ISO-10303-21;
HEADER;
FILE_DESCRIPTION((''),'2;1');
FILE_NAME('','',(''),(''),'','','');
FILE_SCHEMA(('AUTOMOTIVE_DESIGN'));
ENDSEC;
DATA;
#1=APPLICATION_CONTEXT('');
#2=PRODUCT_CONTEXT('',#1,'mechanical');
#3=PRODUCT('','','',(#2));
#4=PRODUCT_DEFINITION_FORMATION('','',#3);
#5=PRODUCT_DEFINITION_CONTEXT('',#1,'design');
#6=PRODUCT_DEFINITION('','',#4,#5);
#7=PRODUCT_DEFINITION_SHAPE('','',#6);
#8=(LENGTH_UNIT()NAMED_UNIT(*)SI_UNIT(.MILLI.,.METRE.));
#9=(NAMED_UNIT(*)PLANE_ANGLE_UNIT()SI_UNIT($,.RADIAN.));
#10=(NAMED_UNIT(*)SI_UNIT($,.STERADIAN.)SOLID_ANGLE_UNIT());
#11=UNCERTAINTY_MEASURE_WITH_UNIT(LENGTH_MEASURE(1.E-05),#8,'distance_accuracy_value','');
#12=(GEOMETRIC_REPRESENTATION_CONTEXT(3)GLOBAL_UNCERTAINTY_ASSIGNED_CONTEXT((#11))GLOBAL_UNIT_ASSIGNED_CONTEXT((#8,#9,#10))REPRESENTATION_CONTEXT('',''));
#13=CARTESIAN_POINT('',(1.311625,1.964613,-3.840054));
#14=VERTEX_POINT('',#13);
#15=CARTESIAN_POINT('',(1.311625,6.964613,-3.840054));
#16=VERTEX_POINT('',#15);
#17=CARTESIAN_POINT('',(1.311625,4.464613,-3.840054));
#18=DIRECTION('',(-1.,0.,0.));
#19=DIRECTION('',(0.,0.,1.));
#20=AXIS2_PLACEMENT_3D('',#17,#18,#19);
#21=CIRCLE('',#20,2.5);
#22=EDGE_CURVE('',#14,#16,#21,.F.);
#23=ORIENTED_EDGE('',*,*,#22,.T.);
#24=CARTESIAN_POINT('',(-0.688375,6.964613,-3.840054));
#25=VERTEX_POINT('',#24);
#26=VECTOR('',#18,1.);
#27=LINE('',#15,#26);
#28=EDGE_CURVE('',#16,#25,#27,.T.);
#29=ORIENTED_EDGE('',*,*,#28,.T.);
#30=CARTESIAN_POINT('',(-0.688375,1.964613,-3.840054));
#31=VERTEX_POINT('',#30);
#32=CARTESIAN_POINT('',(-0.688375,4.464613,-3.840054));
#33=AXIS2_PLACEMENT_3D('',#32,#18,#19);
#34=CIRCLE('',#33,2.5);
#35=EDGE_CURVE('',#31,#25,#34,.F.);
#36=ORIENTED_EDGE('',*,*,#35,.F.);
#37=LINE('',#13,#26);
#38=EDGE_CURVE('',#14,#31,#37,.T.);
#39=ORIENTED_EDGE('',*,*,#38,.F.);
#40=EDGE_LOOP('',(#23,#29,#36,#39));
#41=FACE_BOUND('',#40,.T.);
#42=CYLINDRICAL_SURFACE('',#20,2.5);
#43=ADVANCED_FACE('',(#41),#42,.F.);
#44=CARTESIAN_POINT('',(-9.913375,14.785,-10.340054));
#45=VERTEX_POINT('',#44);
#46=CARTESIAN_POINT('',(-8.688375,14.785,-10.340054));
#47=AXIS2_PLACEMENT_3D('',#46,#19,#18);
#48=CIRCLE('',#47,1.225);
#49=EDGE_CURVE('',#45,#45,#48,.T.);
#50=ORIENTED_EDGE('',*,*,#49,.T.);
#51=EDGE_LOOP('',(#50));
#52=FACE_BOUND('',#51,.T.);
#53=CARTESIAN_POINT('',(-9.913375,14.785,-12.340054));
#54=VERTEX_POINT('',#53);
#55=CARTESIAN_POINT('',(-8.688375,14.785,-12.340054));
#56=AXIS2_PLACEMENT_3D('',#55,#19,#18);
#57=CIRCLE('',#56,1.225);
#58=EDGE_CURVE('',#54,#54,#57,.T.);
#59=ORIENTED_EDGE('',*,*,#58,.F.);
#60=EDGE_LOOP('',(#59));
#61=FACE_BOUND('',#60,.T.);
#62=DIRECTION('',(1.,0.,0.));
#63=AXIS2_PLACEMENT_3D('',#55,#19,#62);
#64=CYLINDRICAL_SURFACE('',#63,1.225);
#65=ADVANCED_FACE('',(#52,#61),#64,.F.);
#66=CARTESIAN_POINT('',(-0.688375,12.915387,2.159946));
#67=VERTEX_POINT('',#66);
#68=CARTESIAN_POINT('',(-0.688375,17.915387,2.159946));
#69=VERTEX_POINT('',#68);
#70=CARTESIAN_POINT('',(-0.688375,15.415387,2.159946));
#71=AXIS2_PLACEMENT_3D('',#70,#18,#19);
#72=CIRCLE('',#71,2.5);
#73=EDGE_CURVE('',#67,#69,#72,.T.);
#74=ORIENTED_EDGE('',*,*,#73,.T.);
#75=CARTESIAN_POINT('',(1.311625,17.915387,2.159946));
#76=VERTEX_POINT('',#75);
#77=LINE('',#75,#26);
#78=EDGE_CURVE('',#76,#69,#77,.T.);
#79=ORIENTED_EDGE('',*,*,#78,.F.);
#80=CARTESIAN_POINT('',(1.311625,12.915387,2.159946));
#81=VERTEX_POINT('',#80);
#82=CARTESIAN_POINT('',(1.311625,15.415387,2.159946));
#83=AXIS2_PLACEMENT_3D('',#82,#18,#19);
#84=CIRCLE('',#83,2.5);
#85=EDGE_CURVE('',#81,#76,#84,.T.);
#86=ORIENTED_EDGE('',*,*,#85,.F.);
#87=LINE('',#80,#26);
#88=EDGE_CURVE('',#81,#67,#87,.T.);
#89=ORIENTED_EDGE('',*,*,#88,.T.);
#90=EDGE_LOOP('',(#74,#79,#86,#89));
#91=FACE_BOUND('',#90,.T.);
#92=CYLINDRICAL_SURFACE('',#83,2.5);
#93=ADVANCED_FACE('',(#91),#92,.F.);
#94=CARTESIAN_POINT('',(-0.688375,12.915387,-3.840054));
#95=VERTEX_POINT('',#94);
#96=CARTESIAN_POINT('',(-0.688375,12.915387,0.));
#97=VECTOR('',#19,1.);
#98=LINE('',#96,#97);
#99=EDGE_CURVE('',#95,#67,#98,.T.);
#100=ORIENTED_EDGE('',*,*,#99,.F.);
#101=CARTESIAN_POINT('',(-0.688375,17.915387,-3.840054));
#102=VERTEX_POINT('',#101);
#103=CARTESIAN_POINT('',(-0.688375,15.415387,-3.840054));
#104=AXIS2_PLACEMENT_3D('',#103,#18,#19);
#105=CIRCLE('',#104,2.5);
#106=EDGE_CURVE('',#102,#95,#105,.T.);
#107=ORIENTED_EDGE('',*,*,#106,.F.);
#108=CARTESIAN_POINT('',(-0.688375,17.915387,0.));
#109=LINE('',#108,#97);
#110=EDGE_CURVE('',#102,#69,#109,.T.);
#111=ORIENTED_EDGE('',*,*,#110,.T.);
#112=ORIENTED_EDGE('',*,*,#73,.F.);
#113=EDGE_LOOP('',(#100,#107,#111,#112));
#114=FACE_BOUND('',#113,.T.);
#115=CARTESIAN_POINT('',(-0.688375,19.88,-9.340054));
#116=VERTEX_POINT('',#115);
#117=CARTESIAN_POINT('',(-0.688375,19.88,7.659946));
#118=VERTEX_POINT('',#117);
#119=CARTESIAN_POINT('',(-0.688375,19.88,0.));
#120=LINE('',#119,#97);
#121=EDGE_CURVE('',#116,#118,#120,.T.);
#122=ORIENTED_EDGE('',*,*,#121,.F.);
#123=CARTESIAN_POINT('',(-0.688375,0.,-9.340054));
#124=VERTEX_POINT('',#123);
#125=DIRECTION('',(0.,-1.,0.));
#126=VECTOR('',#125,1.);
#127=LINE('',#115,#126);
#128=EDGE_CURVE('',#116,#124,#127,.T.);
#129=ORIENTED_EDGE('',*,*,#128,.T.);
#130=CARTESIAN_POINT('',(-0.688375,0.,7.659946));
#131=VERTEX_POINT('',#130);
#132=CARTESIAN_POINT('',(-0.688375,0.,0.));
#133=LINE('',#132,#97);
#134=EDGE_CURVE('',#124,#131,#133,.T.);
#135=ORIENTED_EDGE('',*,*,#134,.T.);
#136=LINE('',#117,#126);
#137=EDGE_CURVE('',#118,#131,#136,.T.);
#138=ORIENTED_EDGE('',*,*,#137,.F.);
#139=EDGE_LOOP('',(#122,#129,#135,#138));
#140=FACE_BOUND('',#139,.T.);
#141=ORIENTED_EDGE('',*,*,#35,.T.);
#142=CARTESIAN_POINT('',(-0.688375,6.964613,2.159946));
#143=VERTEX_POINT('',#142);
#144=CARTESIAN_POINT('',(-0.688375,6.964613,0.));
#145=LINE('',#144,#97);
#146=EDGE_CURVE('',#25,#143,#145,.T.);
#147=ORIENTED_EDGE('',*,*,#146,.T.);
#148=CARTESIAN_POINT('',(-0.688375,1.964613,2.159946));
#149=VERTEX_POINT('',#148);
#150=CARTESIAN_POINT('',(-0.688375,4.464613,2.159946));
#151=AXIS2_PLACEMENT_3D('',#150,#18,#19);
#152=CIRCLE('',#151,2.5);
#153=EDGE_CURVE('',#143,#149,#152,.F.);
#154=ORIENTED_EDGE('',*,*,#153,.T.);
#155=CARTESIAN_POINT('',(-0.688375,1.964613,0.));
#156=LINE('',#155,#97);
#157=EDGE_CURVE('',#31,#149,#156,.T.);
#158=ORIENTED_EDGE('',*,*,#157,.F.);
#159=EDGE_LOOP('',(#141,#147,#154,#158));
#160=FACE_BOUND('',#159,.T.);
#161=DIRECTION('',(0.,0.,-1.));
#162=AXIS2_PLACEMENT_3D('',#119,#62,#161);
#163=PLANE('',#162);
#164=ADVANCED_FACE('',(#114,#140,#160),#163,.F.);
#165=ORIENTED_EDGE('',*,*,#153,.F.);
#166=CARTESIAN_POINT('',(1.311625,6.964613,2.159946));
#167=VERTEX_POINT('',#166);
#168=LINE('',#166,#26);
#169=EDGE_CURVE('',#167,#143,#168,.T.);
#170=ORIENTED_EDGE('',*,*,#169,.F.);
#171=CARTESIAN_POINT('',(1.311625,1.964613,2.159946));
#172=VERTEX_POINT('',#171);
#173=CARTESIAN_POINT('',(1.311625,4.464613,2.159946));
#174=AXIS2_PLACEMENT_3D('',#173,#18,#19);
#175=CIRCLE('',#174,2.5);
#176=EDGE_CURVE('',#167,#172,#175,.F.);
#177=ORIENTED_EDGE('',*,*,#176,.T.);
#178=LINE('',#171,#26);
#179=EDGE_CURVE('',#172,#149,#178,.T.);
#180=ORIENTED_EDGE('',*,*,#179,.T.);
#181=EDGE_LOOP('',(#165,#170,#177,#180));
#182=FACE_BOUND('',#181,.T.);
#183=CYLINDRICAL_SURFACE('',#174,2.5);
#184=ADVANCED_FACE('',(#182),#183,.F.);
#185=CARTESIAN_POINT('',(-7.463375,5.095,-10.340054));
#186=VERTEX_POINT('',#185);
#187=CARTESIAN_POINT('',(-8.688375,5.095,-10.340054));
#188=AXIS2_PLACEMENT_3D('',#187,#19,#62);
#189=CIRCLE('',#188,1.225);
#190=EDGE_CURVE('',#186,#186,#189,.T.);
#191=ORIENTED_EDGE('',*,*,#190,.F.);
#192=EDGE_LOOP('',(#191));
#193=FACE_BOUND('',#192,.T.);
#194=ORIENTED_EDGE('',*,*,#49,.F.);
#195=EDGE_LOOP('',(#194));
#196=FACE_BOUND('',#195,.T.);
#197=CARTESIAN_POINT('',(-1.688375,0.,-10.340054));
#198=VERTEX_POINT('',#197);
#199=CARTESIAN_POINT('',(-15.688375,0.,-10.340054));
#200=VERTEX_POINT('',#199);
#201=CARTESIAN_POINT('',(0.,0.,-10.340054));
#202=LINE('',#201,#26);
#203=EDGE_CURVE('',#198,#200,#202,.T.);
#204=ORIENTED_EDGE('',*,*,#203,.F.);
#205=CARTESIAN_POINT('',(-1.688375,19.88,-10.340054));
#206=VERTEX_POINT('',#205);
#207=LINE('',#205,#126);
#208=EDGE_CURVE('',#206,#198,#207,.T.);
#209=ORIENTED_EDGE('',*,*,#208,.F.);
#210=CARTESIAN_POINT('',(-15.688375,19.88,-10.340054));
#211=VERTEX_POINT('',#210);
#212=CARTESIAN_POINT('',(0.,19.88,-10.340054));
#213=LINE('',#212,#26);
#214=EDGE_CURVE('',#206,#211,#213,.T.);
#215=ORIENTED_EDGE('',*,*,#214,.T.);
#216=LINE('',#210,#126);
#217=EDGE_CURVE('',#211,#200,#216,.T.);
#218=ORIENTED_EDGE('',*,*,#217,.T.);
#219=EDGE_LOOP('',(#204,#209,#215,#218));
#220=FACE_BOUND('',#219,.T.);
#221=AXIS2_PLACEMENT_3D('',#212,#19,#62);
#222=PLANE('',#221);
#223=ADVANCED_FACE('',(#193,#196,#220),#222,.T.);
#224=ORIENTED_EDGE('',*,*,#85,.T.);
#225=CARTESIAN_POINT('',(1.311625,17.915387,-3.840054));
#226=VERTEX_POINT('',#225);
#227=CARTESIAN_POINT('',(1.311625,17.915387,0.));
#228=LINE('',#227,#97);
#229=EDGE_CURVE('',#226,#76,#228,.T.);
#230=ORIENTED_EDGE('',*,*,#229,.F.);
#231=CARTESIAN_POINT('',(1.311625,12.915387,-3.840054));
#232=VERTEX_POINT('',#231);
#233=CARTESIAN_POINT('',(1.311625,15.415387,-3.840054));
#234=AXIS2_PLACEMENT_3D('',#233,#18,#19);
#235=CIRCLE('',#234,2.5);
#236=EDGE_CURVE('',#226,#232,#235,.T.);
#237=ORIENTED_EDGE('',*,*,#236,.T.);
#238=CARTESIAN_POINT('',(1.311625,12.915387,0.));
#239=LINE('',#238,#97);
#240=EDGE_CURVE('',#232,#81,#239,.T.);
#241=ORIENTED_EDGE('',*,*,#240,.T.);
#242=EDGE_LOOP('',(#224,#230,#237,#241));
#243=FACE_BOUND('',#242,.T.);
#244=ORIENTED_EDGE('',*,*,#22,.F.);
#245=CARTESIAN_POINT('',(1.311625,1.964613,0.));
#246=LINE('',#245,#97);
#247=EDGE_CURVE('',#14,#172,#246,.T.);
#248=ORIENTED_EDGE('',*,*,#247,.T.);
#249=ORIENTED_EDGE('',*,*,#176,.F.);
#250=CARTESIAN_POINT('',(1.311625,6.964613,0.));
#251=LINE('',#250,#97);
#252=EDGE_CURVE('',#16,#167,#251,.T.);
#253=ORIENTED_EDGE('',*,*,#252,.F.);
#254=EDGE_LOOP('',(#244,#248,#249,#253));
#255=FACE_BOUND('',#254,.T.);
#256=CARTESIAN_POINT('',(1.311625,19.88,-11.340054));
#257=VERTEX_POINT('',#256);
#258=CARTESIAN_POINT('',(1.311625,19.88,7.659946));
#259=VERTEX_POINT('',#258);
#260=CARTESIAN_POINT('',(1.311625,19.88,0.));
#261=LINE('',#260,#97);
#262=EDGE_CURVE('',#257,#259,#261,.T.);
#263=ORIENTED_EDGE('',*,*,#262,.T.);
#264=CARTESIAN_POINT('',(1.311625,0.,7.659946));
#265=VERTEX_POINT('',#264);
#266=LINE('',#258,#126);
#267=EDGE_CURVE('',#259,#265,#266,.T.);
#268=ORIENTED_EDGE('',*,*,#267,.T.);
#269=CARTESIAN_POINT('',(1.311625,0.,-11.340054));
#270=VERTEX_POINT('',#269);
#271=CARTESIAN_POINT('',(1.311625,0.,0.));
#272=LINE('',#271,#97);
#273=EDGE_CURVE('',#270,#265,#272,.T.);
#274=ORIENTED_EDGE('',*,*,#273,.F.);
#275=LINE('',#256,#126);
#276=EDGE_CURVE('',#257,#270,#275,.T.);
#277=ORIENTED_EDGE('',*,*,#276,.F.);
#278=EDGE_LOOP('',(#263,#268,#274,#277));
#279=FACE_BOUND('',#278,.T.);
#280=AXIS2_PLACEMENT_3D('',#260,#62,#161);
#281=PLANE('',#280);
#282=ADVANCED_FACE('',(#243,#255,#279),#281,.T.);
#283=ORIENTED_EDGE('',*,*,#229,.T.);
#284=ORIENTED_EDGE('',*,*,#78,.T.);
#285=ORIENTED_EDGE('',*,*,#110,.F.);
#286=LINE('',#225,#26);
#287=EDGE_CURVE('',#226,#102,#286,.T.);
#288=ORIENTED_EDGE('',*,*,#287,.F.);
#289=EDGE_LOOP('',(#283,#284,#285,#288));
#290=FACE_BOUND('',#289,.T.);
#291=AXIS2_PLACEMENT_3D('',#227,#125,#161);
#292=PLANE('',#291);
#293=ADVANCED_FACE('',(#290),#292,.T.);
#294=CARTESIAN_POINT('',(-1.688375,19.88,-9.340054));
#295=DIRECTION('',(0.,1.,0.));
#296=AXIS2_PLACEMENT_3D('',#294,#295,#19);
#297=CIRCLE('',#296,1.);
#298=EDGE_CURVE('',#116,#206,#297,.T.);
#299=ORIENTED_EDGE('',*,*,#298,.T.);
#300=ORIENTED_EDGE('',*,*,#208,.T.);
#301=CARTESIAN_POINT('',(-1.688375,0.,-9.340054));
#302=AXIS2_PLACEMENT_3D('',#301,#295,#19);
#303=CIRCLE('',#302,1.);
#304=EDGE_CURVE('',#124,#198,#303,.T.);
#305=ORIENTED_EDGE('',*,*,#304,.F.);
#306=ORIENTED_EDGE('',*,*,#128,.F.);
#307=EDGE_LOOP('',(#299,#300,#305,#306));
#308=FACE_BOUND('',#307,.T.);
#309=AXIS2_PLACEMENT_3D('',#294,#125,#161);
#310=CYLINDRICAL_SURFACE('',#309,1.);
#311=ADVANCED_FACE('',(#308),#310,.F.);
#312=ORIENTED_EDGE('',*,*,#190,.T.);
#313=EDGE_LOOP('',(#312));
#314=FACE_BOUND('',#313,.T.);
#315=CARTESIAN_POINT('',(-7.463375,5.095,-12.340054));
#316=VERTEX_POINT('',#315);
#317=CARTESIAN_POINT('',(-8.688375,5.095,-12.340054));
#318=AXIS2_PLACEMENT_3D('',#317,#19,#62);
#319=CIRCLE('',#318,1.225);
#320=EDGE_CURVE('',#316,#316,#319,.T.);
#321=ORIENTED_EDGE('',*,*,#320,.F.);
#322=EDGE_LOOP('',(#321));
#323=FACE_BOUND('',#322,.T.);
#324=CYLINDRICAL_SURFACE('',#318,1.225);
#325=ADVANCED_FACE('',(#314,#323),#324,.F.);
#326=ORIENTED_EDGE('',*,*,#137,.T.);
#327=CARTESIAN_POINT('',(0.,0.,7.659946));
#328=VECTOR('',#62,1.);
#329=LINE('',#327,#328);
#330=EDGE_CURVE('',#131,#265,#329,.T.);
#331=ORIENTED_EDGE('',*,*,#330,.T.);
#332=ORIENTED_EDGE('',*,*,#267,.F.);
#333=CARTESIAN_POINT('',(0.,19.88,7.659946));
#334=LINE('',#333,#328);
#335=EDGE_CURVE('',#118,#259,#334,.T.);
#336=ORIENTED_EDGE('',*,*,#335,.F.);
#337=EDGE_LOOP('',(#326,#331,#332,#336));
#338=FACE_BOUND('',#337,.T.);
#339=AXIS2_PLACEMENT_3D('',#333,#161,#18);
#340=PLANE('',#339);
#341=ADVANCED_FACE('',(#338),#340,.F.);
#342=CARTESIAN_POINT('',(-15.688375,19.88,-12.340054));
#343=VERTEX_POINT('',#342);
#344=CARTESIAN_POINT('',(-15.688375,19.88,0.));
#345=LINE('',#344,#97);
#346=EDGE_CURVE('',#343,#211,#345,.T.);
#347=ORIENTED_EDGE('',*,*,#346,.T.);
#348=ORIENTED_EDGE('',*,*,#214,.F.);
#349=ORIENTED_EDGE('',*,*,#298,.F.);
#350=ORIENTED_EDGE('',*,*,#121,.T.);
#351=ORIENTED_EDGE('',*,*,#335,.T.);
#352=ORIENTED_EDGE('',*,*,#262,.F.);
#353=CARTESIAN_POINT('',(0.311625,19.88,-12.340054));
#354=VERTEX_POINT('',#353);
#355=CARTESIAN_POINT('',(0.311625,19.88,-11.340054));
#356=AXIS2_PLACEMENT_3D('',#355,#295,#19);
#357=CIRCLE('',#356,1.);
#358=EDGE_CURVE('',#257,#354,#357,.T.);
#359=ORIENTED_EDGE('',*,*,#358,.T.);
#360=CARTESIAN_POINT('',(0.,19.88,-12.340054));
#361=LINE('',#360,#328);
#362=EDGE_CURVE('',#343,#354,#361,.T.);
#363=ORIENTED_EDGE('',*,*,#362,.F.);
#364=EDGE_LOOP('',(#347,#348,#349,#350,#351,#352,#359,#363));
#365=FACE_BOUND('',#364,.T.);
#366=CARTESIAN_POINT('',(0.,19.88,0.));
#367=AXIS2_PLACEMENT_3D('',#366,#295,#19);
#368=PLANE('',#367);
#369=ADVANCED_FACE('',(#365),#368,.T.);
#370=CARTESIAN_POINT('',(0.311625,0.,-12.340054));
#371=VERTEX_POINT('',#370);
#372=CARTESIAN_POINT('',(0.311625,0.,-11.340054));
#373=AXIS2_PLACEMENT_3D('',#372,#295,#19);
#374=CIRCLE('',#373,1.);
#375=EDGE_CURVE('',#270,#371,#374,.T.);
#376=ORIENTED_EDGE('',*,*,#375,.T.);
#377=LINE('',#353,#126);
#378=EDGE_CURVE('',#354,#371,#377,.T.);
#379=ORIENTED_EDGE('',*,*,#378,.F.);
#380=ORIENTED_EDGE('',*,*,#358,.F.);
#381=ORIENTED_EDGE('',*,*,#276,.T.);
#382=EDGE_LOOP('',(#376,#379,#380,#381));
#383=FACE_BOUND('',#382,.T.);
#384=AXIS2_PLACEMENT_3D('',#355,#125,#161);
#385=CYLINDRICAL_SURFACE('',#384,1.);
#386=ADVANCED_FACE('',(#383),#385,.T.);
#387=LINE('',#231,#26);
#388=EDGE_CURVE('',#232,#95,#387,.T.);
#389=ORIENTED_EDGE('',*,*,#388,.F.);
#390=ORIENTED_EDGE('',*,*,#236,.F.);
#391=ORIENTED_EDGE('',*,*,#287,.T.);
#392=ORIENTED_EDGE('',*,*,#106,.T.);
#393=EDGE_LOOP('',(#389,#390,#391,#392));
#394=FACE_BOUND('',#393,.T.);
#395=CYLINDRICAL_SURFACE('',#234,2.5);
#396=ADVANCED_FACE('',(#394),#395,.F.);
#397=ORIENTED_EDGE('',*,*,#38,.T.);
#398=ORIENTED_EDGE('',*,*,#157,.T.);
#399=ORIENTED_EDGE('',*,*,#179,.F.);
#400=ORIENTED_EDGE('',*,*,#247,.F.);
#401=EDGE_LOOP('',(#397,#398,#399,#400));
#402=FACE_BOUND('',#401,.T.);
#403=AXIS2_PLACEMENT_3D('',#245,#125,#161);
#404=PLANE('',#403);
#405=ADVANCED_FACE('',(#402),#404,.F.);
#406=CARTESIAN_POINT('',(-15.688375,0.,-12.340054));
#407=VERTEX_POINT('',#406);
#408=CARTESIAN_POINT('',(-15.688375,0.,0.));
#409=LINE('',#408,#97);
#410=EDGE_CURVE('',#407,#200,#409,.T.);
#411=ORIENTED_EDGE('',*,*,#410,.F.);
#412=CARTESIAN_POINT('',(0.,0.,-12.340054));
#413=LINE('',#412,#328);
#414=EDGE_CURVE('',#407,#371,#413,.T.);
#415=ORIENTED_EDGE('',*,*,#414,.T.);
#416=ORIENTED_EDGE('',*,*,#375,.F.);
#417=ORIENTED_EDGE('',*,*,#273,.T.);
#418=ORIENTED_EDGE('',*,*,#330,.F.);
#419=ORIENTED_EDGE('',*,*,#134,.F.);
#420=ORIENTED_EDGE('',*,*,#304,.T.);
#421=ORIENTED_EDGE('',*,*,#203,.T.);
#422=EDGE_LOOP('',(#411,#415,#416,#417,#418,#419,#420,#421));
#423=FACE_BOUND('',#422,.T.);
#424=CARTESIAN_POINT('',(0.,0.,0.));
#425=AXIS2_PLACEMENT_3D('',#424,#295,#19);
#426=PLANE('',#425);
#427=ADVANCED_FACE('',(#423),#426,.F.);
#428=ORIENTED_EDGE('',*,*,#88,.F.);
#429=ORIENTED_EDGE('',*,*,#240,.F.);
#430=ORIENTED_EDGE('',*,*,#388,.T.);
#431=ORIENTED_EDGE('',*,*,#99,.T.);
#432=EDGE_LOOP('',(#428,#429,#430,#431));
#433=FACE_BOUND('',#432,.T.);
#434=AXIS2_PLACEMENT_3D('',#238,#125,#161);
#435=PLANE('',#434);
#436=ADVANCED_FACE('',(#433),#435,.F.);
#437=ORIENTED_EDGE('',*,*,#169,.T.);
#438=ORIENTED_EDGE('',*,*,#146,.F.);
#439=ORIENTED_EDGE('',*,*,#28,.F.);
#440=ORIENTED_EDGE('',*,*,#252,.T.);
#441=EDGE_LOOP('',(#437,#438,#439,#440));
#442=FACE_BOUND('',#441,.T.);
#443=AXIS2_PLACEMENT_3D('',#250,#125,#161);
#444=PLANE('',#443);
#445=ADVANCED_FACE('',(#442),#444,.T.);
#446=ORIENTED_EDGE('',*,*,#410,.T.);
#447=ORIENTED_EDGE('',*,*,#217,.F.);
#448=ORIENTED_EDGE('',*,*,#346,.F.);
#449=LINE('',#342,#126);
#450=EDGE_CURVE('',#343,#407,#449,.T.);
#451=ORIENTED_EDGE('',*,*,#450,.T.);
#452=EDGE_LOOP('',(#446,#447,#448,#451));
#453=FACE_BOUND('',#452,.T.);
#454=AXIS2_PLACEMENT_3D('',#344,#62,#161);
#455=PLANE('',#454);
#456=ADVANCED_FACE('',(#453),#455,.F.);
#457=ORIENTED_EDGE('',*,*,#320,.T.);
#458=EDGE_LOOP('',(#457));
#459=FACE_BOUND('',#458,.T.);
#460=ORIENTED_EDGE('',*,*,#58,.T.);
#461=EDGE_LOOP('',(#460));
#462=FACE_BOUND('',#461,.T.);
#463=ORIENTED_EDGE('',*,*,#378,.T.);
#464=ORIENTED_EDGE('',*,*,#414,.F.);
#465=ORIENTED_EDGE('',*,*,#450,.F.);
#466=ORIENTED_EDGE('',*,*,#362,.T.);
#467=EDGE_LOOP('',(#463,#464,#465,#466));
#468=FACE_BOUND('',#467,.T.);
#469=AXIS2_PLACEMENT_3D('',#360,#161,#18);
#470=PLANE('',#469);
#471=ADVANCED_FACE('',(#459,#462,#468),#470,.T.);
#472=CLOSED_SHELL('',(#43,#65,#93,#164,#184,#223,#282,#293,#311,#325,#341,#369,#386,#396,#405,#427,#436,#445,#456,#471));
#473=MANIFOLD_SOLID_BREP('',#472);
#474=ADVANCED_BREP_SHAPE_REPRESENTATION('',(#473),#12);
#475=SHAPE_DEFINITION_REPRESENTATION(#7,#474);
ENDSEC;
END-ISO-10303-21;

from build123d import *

# Parameters (mm, degrees)
BOSS_EXTRUDE1_DEPTH = 19.88
SKETCH3_R           = 1.225
CUT_EXTRUDE1_DEPTH  = 3
CUT_EXTRUDE3_DEPTH  = 3


with BuildPart() as part:
    # Sketch1 → Boss-Extrude1 (new body)
    with BuildSketch(Plane(origin=(0, 0, 0), x_dir=(1, 0, 0), z_dir=(0, 1, 0))):
        with BuildLine():
            Line((-0.688375332, 9.340054497), (-0.688375332, -7.659945503))
            Line((-0.688375332, -7.659945503), (1.311624668, -7.659945503))
            Line((1.311624668, -7.659945503), (1.311624668, 11.340054497))
            ThreePointArc((1.311624668, 11.340054497), (1.018731449, 12.047161278), (0.311624668, 12.340054497))
            Line((0.311624668, 12.340054497), (-15.688375332, 12.340054497))
            Line((-15.688375332, 12.340054497), (-15.688375332, 10.340054497))
            Line((-15.688375332, 10.340054497), (-1.688375332, 10.340054497))
            ThreePointArc((-1.688375332, 10.340054497), (-0.981268551, 10.047161278), (-0.688375332, 9.340054497))
        make_face()
    extrude(amount=BOSS_EXTRUDE1_DEPTH)

    # Sketch3 → Cut-Extrude1 (cut, through all)
    with BuildSketch(Plane.XY.offset(-10.340054497)):
        with Locations((-8.688375332, 5.095)):
            Circle(SKETCH3_R)
        with Locations((-8.688375332, 14.785)):
            Circle(SKETCH3_R)
    extrude(amount=-CUT_EXTRUDE1_DEPTH, mode=Mode.SUBTRACT)

    # Sketch4 → Cut-Extrude3 (cut, through all)
    with BuildSketch(Plane.ZY.offset(0.688375332)):
        with BuildLine():
            Line((2.159945503, 17.915386938), (-3.840054497, 17.915386938))
            ThreePointArc((-3.840054497, 17.915386938), (-6.340054497, 15.415386938), (-3.840054497, 12.915386938))
            Line((-3.840054497, 12.915386938), (2.159945503, 12.915386938))
            ThreePointArc((2.159945503, 12.915386938), (4.659945503, 15.415386938), (2.159945503, 17.915386938))
        make_face()
        with BuildLine():
            Line((2.159945503, 6.964613062), (-3.840054497, 6.964613062))
            ThreePointArc((-3.840054497, 6.964613062), (-6.340054497, 4.464613062), (-3.840054497, 1.964613062))
            Line((-3.840054497, 1.964613062), (2.159945503, 1.964613062))
            ThreePointArc((2.159945503, 1.964613062), (4.659945503, 4.464613062), (2.159945503, 6.964613062))
        make_face()
    extrude(amount=-CUT_EXTRUDE3_DEPTH, mode=Mode.SUBTRACT)


solid = part.part
